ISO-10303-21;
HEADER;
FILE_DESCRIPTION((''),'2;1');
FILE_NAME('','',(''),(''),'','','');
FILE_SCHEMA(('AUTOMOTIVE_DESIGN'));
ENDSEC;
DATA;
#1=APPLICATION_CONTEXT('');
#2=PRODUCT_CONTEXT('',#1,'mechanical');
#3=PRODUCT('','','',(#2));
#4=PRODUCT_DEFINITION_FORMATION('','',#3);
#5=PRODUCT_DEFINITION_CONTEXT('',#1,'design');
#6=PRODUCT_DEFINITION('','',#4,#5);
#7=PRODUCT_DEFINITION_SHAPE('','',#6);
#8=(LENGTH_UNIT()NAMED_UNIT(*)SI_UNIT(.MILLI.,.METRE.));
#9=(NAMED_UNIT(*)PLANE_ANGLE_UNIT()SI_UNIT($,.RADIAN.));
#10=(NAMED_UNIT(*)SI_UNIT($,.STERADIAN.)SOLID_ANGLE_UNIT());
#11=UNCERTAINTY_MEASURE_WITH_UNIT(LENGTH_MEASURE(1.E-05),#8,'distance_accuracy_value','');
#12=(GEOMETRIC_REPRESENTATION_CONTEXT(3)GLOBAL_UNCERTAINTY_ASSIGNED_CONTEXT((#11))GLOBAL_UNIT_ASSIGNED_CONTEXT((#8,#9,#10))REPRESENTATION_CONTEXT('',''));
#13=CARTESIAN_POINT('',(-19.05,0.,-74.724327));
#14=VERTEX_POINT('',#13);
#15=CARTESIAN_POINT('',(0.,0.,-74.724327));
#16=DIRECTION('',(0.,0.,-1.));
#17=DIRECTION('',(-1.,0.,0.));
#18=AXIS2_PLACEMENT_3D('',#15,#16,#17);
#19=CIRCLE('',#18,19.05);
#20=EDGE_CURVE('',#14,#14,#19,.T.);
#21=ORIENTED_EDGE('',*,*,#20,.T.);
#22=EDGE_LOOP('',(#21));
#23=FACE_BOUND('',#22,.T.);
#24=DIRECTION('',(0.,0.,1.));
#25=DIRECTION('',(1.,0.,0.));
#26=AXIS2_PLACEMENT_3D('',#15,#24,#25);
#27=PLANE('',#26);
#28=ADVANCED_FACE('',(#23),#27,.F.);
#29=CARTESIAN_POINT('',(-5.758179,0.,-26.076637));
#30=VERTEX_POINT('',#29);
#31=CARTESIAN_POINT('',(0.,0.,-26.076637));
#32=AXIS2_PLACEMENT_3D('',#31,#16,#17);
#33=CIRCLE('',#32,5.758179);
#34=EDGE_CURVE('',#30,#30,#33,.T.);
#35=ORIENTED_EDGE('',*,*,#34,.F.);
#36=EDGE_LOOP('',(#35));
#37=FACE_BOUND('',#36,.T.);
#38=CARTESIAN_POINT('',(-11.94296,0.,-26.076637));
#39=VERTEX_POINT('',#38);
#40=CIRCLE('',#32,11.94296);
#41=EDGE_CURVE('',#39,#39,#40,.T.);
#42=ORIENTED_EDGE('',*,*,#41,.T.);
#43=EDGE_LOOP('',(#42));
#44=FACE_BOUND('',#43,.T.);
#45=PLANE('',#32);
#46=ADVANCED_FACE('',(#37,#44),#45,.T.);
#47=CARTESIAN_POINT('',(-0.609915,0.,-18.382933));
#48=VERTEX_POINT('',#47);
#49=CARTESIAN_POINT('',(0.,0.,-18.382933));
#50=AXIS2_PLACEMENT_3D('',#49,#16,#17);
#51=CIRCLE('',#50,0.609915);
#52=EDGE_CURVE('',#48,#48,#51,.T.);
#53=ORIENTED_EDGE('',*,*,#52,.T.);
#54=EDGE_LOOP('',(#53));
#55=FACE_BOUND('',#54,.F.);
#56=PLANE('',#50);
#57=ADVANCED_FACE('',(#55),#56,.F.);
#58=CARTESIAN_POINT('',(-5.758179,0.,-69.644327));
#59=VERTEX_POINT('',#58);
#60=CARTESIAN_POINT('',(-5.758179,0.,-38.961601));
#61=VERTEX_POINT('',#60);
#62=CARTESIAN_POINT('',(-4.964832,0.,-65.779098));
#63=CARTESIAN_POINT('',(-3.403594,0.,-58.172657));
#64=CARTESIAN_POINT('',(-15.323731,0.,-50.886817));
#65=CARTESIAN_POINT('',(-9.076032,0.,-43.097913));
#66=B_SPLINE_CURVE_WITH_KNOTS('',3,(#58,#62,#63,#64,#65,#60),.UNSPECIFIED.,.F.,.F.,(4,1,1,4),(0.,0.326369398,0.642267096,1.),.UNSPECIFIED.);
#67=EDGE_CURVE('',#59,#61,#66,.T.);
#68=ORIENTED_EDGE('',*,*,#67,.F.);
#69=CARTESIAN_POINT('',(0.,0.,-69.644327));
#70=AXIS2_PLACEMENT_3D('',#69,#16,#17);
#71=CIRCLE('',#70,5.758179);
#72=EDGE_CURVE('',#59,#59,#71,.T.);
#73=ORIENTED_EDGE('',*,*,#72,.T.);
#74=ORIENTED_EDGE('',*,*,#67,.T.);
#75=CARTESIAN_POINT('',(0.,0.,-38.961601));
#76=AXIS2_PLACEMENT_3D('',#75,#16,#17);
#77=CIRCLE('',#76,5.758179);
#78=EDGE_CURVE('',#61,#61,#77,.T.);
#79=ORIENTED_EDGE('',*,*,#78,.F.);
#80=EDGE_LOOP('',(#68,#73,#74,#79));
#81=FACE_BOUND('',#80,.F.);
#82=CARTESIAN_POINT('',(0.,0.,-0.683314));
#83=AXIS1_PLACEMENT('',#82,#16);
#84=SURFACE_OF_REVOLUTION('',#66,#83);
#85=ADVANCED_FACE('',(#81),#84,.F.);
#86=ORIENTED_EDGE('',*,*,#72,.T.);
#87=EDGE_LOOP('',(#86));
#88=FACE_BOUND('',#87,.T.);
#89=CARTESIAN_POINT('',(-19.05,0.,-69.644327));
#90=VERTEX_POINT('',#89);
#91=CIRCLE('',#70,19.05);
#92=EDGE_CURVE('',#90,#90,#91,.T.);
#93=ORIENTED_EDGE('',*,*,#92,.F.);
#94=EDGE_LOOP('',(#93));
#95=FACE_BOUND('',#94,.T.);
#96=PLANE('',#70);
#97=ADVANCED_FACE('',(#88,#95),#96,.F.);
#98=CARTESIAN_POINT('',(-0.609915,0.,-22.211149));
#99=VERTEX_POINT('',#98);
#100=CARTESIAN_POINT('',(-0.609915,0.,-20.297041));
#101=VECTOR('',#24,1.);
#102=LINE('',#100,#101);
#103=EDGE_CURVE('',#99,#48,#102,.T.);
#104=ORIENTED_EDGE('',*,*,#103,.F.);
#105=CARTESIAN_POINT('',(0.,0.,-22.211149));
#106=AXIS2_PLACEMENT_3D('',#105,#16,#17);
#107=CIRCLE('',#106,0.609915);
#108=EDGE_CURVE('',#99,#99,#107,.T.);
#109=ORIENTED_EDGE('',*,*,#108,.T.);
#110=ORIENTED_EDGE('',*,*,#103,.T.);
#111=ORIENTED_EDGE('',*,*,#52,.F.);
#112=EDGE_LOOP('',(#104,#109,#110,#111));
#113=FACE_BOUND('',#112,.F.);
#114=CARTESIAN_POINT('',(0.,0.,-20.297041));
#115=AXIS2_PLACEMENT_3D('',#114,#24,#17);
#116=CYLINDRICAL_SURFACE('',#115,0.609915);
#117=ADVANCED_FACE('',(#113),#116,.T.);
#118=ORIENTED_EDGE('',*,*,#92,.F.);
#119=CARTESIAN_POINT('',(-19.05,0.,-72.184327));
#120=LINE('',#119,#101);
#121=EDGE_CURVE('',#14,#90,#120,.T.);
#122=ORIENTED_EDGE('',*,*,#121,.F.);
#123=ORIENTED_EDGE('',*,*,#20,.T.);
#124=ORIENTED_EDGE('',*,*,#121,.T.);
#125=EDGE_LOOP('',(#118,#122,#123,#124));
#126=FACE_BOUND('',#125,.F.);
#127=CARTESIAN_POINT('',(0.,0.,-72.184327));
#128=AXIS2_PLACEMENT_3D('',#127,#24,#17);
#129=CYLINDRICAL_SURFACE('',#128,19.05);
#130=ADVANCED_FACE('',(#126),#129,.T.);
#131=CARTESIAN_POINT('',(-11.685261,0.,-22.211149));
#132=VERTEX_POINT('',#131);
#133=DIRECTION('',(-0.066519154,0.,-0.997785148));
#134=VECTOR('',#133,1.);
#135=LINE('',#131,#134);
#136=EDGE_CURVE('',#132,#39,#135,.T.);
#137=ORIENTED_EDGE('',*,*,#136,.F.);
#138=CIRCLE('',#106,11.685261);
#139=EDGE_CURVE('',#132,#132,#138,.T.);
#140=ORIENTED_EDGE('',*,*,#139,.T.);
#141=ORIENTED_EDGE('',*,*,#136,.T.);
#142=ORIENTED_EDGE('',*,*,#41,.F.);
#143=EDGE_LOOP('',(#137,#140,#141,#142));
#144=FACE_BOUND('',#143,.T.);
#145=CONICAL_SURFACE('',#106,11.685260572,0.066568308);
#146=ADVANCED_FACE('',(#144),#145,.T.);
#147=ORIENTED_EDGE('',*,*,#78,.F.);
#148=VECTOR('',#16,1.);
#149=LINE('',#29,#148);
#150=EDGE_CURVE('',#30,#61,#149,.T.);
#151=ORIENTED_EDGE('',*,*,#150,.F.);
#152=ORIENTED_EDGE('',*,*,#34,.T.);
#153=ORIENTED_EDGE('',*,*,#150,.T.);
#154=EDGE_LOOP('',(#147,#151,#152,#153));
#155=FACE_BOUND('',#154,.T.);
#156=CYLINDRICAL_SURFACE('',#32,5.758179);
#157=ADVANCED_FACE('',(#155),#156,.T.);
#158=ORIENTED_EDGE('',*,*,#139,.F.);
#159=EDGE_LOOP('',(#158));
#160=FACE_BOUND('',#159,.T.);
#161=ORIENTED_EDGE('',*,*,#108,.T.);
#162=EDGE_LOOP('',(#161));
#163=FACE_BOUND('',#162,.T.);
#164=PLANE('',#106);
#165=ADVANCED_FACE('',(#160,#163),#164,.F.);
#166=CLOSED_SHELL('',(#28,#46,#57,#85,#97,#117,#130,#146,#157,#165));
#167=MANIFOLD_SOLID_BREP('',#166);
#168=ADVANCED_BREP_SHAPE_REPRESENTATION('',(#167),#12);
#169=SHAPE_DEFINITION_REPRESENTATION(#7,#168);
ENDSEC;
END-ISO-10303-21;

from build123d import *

# Parameters (mm, degrees)
F0_W   = 13.291821114
F0_H   = 5.08
F0_W_2 = 0.6099150633
F0_H_2 = 3.8282163441


with BuildPart() as f1:
    # F0 (on Front) → F1 (revolve)
    with BuildSketch(Plane.XZ):
        with Locations((-12.404089443, -72.1843269592)):
            Rectangle(F0_W, F0_H)
        Polygon((-5.758178886, -69.6443269592), (-5.758178886, -74.7243269592), (-4.7780917957, -74.7243269592), (0, -74.7243269592), (0, -69.6443269592), align=None)
        with BuildLine():
            add(Edge.make_bspline(
                [(-5.758178886, -69.6443269592), (-4.9648323817, -65.7790976541), (-3.4035942307, -58.1726565582), (-15.3237312615, -50.8868167952), (-9.0760322015, -43.097913485), (-5.758178886, -38.9616005123)],
                knots=[0, 0, 0, 0, 0.3263693982, 0.6422670964, 1, 1, 1, 1], degree=3))
            Line((-5.758178886, -69.6443269592), (0, -69.6443269592))
            Line((0, -69.6443269592), (0, -22.2111493349))
            Line((0, -22.2111493349), (-0.6099150633, -22.2111493349))
            Line((-0.6099150633, -22.2111493349), (-11.6852605715, -22.2111493349))
            Line((-11.6852605715, -22.2111493349), (-11.9429603219, -26.0766372085))
            Line((-11.9429603219, -26.0766372085), (-5.758178886, -26.0766372085))
            Line((-5.758178886, -26.0766372085), (-5.758178886, -38.9616005123))
        make_face()
        with Locations((-0.3049575316, -20.2970411628)):
            Rectangle(F0_W_2, F0_H_2)
    revolve(axis=Axis((0, 0, -0.6833137407), (0, 0, -1)))


solid = f1.part
